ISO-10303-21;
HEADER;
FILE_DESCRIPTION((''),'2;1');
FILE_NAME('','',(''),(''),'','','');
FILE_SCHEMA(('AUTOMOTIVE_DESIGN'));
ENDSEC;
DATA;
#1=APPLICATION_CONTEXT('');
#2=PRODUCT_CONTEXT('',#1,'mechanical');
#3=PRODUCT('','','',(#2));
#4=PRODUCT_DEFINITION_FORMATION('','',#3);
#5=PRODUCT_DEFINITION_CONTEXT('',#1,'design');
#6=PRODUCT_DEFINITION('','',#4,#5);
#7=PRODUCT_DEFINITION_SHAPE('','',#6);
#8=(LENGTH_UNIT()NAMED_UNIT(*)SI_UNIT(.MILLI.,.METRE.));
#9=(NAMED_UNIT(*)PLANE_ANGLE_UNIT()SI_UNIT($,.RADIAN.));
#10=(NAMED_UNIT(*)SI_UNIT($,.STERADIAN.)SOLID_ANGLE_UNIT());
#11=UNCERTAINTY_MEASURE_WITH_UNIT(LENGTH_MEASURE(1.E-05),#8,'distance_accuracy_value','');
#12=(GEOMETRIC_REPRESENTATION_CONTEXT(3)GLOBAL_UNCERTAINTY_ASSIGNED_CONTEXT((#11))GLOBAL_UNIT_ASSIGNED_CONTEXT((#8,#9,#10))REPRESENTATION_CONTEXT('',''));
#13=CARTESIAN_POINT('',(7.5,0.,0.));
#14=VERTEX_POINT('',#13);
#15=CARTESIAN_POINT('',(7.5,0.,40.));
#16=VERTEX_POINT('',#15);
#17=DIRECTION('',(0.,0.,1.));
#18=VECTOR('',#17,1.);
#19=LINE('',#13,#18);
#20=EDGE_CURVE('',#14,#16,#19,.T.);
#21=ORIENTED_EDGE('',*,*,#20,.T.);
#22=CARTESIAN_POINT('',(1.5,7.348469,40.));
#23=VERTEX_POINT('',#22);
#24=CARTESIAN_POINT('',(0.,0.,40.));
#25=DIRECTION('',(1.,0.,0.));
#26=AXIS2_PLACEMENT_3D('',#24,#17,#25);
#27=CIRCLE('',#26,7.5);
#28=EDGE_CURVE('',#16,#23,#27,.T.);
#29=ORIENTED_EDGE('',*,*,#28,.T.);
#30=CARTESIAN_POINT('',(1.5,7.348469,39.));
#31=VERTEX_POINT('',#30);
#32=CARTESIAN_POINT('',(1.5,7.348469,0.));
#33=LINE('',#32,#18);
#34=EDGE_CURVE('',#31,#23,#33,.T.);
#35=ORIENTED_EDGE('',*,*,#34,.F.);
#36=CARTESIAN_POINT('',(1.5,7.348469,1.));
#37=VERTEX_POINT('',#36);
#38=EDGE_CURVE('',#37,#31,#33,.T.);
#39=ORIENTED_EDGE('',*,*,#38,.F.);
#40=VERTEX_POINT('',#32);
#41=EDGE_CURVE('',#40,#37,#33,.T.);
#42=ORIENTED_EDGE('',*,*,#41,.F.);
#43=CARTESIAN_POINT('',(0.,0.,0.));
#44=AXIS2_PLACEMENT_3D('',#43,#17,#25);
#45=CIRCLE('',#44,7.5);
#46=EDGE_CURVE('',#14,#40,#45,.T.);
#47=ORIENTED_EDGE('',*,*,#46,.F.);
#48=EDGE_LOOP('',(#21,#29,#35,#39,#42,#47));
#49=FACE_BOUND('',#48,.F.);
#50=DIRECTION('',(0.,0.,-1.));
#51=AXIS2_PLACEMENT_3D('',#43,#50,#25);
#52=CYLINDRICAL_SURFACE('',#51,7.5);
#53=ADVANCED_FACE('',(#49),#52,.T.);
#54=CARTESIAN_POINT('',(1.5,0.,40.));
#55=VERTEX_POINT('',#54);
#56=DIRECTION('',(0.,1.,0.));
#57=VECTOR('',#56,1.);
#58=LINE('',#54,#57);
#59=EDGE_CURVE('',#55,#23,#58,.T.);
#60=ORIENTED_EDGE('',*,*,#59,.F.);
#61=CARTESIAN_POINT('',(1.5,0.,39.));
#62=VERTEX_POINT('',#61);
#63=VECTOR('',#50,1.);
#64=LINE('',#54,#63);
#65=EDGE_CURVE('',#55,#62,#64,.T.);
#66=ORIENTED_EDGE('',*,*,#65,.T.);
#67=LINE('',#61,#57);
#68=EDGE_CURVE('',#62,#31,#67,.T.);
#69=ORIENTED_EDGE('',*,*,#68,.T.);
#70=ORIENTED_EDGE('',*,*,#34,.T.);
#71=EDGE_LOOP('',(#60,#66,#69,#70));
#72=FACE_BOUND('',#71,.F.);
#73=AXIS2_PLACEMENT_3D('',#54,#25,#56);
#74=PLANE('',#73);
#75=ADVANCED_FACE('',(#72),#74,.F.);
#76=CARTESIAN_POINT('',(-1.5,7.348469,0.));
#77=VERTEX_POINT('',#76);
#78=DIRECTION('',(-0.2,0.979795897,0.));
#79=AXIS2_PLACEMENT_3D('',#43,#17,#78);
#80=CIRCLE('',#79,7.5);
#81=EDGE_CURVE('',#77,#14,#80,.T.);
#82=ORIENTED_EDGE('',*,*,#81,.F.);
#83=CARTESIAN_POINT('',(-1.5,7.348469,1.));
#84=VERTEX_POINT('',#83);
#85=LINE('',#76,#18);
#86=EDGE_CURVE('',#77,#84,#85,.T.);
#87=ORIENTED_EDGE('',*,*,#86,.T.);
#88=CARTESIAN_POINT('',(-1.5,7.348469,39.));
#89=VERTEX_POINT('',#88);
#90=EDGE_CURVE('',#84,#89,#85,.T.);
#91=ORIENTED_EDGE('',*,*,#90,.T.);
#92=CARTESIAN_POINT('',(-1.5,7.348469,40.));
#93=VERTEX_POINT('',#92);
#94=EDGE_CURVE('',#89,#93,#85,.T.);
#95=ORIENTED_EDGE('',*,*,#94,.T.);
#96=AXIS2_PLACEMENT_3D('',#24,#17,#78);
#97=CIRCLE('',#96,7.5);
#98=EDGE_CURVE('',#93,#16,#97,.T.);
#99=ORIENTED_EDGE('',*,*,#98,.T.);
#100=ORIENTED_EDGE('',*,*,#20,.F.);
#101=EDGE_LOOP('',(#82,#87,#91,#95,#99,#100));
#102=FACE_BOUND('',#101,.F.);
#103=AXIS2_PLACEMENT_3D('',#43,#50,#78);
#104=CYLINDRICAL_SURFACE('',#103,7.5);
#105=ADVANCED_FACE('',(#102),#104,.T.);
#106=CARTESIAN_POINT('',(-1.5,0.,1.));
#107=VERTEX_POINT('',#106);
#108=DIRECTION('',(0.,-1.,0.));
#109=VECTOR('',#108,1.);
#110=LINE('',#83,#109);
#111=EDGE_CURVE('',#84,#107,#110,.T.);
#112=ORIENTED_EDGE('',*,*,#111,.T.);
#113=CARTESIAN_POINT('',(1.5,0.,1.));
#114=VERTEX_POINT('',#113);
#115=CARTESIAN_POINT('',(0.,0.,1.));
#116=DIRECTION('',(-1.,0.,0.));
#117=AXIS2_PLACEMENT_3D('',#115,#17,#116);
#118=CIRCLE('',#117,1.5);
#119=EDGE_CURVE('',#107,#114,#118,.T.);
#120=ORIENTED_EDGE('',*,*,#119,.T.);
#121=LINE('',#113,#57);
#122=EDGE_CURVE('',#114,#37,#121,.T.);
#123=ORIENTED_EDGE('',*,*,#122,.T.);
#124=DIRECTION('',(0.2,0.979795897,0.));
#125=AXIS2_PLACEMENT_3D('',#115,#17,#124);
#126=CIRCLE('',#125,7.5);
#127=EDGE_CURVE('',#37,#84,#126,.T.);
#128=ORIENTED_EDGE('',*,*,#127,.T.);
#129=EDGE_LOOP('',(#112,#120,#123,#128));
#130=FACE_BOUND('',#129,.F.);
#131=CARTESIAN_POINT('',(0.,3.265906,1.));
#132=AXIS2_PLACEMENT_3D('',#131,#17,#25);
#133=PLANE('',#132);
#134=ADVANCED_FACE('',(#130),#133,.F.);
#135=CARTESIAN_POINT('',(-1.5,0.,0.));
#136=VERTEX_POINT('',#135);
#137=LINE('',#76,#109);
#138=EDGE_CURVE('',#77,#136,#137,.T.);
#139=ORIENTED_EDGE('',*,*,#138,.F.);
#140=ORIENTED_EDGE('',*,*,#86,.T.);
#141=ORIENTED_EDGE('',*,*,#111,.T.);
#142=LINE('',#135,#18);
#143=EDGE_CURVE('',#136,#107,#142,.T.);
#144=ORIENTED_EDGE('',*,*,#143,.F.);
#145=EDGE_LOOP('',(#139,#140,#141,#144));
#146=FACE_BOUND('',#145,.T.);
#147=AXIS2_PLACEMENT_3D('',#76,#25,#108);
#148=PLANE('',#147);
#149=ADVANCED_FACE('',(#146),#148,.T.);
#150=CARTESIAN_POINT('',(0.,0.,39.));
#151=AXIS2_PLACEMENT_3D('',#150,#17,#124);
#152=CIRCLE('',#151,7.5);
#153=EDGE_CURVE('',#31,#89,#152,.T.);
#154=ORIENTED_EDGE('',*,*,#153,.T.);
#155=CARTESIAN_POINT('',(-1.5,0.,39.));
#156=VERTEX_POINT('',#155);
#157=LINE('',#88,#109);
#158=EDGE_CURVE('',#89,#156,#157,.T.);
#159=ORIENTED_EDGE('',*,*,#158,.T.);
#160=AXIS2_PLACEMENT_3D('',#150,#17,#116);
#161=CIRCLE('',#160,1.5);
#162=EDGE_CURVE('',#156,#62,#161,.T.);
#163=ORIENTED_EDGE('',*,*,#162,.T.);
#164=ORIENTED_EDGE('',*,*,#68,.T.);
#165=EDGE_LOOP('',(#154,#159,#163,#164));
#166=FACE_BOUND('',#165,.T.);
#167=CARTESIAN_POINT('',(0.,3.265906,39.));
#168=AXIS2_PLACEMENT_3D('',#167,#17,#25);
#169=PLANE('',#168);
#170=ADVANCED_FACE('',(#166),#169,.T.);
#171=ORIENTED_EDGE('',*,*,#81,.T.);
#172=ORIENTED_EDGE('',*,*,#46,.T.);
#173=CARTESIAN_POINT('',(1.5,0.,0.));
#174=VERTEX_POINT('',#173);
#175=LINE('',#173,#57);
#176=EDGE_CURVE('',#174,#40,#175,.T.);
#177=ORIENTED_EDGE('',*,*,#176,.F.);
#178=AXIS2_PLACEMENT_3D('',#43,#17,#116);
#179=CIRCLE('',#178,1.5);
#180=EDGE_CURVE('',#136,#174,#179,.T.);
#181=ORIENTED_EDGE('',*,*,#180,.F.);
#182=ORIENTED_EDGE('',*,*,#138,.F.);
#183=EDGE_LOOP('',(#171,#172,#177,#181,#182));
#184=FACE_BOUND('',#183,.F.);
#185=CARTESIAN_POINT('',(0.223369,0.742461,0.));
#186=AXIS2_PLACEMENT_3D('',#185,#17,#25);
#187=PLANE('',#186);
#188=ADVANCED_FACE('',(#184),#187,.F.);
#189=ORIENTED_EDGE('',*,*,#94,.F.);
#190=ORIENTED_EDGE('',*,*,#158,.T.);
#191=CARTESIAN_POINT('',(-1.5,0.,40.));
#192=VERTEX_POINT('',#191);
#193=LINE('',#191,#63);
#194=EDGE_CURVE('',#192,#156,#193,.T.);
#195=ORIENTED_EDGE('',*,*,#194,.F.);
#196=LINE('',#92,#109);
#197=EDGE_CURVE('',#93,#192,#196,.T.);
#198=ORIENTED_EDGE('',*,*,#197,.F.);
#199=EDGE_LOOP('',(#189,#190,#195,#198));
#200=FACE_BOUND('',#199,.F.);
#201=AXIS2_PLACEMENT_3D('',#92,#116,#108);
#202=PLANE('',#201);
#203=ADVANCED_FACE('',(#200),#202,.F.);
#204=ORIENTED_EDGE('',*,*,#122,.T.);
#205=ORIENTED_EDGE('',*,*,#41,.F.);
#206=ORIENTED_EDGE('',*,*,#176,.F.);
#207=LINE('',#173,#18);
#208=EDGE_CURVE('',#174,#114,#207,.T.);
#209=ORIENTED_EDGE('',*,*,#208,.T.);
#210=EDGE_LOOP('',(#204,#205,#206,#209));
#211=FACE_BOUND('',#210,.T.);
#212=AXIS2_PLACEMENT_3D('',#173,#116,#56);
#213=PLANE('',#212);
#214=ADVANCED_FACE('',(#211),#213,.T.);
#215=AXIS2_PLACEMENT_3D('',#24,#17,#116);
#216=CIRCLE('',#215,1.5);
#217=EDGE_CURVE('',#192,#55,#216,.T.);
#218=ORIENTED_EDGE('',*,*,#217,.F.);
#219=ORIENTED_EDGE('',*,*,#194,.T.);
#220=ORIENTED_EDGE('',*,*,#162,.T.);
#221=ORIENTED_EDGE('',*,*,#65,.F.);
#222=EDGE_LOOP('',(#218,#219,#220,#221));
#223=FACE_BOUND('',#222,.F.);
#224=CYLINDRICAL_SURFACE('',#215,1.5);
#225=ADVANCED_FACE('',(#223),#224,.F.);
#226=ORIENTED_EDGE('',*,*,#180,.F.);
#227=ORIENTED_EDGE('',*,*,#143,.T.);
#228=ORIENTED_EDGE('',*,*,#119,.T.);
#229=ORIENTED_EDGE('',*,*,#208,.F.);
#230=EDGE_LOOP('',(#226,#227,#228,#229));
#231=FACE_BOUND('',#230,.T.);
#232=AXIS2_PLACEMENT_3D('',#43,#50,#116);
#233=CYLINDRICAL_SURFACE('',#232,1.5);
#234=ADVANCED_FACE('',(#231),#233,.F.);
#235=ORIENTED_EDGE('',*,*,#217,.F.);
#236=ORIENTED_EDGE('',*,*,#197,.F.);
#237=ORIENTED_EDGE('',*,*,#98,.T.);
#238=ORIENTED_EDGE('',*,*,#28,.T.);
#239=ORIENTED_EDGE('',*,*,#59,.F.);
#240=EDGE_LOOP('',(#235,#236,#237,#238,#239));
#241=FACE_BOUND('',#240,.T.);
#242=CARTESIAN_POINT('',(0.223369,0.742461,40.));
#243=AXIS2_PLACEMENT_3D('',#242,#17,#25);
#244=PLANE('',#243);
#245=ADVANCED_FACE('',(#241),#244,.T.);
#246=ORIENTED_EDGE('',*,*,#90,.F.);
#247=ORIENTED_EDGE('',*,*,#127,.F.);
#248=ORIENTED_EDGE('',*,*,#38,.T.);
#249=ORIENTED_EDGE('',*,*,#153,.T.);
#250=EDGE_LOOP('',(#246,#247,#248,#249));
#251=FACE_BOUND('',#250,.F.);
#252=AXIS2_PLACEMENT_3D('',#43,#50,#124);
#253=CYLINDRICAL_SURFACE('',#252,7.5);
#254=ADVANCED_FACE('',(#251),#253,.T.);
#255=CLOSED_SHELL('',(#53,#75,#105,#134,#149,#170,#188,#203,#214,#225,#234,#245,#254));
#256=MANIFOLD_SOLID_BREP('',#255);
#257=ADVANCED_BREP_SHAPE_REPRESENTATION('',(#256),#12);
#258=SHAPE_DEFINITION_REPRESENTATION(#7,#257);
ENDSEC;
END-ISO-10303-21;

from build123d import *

# Parameters (mm, degrees)
F1_DEPTH = 40
F2_DEPTH = 1
F4_DEPTH = 1


with BuildPart() as f1:
    # F0 (on Top) → F1 (new body)
    with BuildSketch(Plane.XY):
        with BuildLine():
            ThreePointArc((-1.5, 7.3484692283), (-4.7434164903, -5.8094750193), (7.5, 0))
            ThreePointArc((7.5, 0), (5.8094750193, 4.7434164903), (1.5, 7.3484692283))
            Line((1.5, 7.3484692283), (1.5, 0))
            ThreePointArc((1.5, 0), (0, -1.5), (-1.5, 0))
            Line((-1.5, 0), (-1.5, 7.3484692283))
        make_face()
        with BuildLine():
            Line((1.5, 0), (1.5, 7.3484692283))
            ThreePointArc((1.5, 7.3484692283), (0, 7.5), (-1.5, 7.3484692283))
            Line((-1.5, 7.3484692283), (-1.5, 0))
            ThreePointArc((-1.5, 0), (0, -1.5), (1.5, 0))
        make_face()
    extrude(amount=F1_DEPTH)

    # F0 (on Top) → F2 (cut)
    with BuildSketch(Plane.XY):
        with BuildLine():
            Line((1.5, 0), (1.5, 7.3484692283))
            ThreePointArc((1.5, 7.3484692283), (0, 7.5), (-1.5, 7.3484692283))
            Line((-1.5, 7.3484692283), (-1.5, 0))
            ThreePointArc((-1.5, 0), (0, -1.5), (1.5, 0))
        make_face()
    extrude(amount=F2_DEPTH, mode=Mode.SUBTRACT)

    # F3 (on face) → F4 (cut)
    with BuildSketch(Plane.XY.offset(40)):
        with BuildLine():
            ThreePointArc((-1.5, 0), (0, -1.5), (1.5, 0))
            Line((1.5, 0), (1.5, 7.3484692283))
            ThreePointArc((1.5, 7.3484692283), (0, 7.5), (-1.5, 7.3484692283))
            Line((-1.5, 7.3484692283), (-1.5, 0))
        make_face()
    extrude(amount=-F4_DEPTH, mode=Mode.SUBTRACT)


solid = f1.part
